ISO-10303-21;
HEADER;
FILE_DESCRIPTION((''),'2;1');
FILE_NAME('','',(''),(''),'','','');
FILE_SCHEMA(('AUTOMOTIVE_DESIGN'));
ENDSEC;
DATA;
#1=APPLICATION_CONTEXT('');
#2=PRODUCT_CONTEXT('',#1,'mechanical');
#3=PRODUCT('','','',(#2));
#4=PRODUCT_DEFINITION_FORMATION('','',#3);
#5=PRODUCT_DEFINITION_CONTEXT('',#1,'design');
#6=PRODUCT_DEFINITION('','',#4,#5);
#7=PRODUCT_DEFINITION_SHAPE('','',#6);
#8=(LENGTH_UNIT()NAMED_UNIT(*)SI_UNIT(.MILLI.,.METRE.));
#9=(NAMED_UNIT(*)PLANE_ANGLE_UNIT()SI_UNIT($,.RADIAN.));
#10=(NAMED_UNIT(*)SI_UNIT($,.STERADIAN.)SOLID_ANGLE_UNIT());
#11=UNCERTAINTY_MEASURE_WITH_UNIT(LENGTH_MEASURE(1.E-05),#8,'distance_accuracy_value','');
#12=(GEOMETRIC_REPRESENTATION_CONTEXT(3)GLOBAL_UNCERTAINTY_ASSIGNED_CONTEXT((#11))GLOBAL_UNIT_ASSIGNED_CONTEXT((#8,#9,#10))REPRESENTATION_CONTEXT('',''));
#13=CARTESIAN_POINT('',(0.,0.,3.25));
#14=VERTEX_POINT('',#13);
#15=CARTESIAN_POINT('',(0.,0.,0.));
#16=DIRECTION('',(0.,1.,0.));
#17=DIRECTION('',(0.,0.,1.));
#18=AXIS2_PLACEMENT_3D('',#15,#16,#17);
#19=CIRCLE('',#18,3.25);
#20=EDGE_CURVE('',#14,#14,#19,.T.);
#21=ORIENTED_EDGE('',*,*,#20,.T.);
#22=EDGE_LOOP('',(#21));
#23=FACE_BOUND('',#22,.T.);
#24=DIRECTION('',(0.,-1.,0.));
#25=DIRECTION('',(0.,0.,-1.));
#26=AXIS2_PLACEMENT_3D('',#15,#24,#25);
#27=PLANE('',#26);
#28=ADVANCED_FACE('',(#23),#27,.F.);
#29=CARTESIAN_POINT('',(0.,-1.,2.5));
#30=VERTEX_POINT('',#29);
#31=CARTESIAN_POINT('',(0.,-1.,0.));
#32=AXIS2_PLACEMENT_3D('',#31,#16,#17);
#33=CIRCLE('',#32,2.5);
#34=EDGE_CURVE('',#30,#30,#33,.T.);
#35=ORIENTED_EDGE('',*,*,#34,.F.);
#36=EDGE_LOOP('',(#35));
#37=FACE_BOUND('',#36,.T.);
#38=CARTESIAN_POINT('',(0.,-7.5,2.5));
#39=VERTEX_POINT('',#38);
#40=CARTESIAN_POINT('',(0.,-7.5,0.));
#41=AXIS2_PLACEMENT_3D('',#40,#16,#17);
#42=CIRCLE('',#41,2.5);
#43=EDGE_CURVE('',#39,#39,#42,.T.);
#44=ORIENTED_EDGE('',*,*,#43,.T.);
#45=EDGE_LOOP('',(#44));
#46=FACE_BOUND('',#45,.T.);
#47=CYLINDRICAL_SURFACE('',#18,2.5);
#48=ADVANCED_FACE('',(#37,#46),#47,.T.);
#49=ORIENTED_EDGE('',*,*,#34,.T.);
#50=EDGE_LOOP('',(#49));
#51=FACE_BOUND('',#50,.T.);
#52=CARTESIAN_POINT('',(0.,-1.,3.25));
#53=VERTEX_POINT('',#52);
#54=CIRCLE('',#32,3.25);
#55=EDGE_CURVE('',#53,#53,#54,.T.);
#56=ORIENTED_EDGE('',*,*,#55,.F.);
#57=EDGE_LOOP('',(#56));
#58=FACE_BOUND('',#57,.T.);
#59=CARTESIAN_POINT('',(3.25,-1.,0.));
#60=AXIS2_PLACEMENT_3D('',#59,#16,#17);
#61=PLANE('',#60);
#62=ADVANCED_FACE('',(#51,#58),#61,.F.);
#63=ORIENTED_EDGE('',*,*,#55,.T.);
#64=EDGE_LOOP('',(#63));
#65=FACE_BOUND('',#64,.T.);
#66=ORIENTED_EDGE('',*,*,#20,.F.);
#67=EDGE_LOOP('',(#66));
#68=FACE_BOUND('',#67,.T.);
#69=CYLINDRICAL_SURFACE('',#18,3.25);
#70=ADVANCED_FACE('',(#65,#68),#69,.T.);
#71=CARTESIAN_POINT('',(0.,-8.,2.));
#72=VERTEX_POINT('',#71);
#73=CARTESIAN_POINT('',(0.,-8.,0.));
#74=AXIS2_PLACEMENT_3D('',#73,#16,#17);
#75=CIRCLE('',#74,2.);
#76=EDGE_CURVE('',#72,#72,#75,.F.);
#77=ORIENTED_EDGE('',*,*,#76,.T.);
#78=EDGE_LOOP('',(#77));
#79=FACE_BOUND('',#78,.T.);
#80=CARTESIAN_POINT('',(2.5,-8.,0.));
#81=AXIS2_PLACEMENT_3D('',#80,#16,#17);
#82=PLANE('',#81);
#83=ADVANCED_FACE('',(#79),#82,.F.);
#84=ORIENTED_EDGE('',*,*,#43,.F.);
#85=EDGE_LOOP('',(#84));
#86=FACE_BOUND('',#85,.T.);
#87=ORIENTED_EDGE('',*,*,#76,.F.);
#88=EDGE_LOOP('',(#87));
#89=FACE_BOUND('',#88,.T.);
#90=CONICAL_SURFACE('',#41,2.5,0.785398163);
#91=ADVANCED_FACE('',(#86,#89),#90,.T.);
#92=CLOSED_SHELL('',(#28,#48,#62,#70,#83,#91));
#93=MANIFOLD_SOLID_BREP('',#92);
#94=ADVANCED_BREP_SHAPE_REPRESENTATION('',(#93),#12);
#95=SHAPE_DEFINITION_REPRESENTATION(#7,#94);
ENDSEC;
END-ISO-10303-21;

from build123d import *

# Parameters (mm, degrees)
CHAFL_N1_SIZE = 0.5


with BuildPart() as part:
    # Croquis1 → Revolución1 (revolve)
    with BuildSketch(Plane.XY):
        Polygon((0, 0), (3.25, 0), (3.25, -1), (2.5, -1), (2.5, -8), (0, -8), align=None)
    revolve(axis=Axis((0, 0, 0), (0, -1, 0)))

    # Chaflán1
    chafl_n1_edges = [part.edges().sort_by_distance(p)[0] for p in [
        (-2.5, -8, 0),
    ]]
    chamfer(chafl_n1_edges, length=CHAFL_N1_SIZE)


solid = part.part
